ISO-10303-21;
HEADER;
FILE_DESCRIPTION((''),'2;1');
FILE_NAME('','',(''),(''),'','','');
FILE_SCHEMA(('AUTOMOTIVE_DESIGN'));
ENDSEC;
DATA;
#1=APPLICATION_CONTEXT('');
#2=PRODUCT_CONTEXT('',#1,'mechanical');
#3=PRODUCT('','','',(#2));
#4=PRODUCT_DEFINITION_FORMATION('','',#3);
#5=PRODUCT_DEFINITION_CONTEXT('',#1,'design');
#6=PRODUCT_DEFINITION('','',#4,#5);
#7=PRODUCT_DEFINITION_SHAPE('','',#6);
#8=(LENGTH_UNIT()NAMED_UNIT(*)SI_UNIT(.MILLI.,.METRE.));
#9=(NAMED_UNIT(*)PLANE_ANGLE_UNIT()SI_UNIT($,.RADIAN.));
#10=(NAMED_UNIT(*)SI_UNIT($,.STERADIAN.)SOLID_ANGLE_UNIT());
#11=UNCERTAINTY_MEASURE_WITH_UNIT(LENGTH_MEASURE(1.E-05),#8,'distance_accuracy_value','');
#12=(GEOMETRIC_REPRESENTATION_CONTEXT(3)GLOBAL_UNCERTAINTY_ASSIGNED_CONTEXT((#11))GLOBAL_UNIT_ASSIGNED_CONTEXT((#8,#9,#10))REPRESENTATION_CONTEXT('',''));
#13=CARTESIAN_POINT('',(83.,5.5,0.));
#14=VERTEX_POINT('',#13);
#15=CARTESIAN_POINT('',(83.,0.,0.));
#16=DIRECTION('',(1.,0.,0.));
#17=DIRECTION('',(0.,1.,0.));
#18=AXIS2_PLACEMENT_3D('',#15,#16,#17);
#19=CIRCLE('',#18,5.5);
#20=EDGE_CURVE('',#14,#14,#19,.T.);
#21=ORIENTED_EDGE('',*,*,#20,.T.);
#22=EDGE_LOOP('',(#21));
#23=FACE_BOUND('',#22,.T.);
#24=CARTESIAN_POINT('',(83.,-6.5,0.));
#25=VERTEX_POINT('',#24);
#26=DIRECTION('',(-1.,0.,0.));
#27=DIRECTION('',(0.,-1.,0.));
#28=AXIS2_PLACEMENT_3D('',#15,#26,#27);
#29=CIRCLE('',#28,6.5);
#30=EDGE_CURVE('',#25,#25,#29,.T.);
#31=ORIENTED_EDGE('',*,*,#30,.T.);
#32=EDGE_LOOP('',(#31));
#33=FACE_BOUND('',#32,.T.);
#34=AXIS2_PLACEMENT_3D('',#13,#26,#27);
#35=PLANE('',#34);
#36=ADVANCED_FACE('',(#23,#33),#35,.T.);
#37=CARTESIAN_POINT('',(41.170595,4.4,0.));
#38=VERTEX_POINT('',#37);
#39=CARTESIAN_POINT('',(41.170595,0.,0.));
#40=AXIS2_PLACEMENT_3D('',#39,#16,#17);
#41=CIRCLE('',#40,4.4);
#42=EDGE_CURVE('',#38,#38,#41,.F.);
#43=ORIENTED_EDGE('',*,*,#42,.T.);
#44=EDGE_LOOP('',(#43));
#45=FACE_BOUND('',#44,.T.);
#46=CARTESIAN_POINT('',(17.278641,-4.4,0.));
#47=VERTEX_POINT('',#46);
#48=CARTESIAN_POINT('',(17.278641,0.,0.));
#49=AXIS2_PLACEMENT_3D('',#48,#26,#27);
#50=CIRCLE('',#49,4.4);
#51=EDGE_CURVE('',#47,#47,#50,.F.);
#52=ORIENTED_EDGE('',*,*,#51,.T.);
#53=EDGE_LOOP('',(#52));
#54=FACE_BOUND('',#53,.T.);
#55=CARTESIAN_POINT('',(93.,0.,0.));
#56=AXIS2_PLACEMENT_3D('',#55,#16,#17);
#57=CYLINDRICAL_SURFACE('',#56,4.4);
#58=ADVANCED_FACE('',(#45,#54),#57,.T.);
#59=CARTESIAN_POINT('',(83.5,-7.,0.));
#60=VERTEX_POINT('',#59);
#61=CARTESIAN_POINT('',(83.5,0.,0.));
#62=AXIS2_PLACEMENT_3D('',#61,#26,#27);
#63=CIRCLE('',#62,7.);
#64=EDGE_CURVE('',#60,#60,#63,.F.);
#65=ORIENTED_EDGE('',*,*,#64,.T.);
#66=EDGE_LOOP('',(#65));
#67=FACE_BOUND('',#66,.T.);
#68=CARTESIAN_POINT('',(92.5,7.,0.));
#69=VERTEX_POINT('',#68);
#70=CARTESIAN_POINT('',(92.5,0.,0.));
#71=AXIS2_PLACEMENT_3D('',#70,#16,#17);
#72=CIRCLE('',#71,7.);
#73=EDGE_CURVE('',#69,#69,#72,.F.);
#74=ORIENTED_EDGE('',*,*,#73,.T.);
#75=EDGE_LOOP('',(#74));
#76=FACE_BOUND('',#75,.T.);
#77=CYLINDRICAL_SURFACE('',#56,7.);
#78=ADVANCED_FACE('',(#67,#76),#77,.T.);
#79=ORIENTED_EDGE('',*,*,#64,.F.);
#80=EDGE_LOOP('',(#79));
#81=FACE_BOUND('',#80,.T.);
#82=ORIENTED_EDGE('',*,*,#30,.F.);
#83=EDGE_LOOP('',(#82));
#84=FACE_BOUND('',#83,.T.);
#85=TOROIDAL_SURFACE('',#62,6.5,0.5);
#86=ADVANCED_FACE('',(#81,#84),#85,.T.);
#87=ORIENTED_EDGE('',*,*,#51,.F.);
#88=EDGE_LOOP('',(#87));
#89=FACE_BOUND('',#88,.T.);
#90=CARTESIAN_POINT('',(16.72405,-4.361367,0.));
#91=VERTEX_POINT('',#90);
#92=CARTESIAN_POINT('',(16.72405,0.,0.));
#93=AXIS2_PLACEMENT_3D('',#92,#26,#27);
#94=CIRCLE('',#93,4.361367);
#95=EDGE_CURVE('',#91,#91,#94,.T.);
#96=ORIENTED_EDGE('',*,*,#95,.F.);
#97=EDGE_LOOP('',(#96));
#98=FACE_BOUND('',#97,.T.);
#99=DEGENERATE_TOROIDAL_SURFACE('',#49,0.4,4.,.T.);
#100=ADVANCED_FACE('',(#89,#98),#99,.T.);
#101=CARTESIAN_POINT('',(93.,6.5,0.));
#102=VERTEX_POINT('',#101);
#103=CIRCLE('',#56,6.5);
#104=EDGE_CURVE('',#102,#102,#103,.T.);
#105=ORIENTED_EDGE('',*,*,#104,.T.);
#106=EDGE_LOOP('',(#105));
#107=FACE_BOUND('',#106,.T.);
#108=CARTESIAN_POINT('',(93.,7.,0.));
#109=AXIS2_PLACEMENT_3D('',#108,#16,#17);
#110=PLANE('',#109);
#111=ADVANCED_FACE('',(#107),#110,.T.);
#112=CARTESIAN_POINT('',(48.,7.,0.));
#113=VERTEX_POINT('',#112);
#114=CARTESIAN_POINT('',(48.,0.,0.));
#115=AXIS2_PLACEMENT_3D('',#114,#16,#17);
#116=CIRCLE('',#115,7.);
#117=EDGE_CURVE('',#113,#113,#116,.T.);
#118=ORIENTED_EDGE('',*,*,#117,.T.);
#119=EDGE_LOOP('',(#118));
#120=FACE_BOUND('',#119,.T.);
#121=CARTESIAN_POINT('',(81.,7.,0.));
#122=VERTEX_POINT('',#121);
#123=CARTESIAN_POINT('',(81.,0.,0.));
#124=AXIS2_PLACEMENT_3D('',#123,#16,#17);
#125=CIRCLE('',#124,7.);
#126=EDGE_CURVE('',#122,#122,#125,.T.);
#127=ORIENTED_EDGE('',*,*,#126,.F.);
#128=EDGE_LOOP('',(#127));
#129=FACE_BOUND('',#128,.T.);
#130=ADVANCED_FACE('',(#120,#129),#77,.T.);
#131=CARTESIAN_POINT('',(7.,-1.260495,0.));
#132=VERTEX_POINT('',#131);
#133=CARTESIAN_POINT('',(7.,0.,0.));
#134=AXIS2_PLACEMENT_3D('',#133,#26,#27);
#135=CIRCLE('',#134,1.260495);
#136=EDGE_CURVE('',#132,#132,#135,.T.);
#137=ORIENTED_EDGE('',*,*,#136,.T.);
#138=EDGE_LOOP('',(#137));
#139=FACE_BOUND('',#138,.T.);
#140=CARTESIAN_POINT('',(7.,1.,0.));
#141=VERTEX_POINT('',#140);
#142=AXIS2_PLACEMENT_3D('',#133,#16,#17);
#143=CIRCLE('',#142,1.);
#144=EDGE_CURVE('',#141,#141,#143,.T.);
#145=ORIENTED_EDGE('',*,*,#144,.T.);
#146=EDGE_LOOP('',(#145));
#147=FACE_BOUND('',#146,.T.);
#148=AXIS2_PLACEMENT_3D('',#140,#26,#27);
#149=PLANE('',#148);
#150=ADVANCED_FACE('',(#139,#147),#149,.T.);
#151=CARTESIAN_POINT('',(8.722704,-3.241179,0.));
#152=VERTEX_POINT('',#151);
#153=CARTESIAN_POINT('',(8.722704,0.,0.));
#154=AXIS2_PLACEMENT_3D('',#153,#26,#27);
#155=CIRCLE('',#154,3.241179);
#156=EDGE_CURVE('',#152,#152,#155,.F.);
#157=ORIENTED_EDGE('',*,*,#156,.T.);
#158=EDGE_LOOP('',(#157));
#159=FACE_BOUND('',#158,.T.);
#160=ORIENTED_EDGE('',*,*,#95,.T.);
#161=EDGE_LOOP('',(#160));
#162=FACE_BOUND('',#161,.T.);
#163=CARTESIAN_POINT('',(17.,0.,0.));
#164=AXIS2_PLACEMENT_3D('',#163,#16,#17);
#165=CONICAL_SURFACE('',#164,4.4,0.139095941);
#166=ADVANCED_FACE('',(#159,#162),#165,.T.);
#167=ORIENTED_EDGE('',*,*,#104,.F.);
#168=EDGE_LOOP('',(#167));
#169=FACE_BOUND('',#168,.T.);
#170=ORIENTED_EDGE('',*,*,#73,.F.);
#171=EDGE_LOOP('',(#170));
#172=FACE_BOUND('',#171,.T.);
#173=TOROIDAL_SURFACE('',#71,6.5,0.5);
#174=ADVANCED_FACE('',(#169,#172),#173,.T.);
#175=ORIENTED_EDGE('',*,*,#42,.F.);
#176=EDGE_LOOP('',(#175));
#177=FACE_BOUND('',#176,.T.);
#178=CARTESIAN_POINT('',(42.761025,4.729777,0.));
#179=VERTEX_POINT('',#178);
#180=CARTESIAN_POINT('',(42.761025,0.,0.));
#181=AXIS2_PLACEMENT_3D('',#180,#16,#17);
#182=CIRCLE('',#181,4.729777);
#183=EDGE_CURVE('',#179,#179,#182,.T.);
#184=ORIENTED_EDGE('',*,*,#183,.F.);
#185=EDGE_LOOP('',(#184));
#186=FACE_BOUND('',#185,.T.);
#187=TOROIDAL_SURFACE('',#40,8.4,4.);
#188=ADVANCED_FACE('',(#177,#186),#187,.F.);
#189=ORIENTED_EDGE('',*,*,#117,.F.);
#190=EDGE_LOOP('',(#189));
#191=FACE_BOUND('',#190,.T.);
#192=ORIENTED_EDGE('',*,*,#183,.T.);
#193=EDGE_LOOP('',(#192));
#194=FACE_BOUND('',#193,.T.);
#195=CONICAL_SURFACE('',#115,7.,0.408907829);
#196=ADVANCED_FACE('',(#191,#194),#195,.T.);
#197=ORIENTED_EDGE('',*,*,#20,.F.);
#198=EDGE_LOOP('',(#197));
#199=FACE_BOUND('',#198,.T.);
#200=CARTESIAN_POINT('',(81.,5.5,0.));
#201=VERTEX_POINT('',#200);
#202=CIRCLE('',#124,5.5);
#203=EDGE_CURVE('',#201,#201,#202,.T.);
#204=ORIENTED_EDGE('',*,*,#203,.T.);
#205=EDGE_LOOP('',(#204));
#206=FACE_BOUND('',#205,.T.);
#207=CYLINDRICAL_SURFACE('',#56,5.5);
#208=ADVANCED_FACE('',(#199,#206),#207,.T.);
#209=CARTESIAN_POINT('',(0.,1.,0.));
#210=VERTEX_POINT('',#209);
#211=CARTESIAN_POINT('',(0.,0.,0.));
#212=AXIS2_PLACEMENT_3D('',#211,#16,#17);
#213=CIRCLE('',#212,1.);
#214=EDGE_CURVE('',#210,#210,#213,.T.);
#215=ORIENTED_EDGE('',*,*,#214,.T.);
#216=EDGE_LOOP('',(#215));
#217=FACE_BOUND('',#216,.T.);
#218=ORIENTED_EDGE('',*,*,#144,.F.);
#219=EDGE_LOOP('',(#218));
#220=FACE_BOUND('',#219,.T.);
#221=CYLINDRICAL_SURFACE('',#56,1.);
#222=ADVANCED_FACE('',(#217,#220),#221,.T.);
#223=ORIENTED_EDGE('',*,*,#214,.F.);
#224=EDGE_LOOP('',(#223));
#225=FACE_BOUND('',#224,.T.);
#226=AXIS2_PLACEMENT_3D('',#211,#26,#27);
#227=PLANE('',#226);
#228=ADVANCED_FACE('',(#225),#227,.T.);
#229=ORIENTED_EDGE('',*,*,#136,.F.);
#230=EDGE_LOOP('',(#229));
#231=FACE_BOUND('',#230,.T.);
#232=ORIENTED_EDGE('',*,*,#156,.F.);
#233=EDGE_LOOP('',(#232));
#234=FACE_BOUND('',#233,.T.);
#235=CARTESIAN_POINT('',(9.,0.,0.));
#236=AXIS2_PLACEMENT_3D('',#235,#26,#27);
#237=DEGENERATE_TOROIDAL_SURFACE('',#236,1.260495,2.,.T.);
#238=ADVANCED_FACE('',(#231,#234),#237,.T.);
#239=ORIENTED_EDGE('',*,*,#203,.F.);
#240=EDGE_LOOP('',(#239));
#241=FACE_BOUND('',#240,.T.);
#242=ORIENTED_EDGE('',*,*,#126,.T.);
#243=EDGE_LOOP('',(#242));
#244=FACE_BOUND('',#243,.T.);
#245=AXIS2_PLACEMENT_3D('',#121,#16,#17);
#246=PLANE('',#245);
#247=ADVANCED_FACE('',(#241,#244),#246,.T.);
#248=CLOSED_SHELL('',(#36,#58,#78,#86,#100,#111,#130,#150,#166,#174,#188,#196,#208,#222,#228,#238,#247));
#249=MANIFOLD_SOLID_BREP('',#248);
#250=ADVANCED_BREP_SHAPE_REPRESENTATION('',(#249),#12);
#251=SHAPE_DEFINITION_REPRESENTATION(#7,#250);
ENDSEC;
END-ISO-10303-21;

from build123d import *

# Parameters (mm, degrees)
FILETE1_R = 2
FILETE2_R = 4
FILETE3_R = 0.5


with BuildPart() as part:
    # Esboço1 → Revolução1 (revolve)
    with BuildSketch(Plane.XY):
        Polygon((0, 0), (0, 1), (7, 1), (7, 3), (17, 4.4), (42, 4.4), (48, 7), (81, 7), (81, 5.5), (83, 5.5), (83, 7), (93, 7), (93, 0), align=None)
    revolve(axis=Axis((93, 0, 0), (-1, 0, 0)))

    # Filete1
    filete1_edges = [part.edges().sort_by_distance(p)[0] for p in [
        (7, -3, 0),
    ]]
    fillet(filete1_edges, radius=FILETE1_R)

    # Filete2
    filete2_edges = [part.edges().sort_by_distance(p)[0] for p in [
        (42, -4.4, 0),
        (17, -4.4, 0),
    ]]
    fillet(filete2_edges, radius=FILETE2_R)

    # Filete3
    filete3_edges = [part.edges().sort_by_distance(p)[0] for p in [
        (93, -7, 0),
        (83, -7, 0),
    ]]
    fillet(filete3_edges, radius=FILETE3_R)


solid = part.part
